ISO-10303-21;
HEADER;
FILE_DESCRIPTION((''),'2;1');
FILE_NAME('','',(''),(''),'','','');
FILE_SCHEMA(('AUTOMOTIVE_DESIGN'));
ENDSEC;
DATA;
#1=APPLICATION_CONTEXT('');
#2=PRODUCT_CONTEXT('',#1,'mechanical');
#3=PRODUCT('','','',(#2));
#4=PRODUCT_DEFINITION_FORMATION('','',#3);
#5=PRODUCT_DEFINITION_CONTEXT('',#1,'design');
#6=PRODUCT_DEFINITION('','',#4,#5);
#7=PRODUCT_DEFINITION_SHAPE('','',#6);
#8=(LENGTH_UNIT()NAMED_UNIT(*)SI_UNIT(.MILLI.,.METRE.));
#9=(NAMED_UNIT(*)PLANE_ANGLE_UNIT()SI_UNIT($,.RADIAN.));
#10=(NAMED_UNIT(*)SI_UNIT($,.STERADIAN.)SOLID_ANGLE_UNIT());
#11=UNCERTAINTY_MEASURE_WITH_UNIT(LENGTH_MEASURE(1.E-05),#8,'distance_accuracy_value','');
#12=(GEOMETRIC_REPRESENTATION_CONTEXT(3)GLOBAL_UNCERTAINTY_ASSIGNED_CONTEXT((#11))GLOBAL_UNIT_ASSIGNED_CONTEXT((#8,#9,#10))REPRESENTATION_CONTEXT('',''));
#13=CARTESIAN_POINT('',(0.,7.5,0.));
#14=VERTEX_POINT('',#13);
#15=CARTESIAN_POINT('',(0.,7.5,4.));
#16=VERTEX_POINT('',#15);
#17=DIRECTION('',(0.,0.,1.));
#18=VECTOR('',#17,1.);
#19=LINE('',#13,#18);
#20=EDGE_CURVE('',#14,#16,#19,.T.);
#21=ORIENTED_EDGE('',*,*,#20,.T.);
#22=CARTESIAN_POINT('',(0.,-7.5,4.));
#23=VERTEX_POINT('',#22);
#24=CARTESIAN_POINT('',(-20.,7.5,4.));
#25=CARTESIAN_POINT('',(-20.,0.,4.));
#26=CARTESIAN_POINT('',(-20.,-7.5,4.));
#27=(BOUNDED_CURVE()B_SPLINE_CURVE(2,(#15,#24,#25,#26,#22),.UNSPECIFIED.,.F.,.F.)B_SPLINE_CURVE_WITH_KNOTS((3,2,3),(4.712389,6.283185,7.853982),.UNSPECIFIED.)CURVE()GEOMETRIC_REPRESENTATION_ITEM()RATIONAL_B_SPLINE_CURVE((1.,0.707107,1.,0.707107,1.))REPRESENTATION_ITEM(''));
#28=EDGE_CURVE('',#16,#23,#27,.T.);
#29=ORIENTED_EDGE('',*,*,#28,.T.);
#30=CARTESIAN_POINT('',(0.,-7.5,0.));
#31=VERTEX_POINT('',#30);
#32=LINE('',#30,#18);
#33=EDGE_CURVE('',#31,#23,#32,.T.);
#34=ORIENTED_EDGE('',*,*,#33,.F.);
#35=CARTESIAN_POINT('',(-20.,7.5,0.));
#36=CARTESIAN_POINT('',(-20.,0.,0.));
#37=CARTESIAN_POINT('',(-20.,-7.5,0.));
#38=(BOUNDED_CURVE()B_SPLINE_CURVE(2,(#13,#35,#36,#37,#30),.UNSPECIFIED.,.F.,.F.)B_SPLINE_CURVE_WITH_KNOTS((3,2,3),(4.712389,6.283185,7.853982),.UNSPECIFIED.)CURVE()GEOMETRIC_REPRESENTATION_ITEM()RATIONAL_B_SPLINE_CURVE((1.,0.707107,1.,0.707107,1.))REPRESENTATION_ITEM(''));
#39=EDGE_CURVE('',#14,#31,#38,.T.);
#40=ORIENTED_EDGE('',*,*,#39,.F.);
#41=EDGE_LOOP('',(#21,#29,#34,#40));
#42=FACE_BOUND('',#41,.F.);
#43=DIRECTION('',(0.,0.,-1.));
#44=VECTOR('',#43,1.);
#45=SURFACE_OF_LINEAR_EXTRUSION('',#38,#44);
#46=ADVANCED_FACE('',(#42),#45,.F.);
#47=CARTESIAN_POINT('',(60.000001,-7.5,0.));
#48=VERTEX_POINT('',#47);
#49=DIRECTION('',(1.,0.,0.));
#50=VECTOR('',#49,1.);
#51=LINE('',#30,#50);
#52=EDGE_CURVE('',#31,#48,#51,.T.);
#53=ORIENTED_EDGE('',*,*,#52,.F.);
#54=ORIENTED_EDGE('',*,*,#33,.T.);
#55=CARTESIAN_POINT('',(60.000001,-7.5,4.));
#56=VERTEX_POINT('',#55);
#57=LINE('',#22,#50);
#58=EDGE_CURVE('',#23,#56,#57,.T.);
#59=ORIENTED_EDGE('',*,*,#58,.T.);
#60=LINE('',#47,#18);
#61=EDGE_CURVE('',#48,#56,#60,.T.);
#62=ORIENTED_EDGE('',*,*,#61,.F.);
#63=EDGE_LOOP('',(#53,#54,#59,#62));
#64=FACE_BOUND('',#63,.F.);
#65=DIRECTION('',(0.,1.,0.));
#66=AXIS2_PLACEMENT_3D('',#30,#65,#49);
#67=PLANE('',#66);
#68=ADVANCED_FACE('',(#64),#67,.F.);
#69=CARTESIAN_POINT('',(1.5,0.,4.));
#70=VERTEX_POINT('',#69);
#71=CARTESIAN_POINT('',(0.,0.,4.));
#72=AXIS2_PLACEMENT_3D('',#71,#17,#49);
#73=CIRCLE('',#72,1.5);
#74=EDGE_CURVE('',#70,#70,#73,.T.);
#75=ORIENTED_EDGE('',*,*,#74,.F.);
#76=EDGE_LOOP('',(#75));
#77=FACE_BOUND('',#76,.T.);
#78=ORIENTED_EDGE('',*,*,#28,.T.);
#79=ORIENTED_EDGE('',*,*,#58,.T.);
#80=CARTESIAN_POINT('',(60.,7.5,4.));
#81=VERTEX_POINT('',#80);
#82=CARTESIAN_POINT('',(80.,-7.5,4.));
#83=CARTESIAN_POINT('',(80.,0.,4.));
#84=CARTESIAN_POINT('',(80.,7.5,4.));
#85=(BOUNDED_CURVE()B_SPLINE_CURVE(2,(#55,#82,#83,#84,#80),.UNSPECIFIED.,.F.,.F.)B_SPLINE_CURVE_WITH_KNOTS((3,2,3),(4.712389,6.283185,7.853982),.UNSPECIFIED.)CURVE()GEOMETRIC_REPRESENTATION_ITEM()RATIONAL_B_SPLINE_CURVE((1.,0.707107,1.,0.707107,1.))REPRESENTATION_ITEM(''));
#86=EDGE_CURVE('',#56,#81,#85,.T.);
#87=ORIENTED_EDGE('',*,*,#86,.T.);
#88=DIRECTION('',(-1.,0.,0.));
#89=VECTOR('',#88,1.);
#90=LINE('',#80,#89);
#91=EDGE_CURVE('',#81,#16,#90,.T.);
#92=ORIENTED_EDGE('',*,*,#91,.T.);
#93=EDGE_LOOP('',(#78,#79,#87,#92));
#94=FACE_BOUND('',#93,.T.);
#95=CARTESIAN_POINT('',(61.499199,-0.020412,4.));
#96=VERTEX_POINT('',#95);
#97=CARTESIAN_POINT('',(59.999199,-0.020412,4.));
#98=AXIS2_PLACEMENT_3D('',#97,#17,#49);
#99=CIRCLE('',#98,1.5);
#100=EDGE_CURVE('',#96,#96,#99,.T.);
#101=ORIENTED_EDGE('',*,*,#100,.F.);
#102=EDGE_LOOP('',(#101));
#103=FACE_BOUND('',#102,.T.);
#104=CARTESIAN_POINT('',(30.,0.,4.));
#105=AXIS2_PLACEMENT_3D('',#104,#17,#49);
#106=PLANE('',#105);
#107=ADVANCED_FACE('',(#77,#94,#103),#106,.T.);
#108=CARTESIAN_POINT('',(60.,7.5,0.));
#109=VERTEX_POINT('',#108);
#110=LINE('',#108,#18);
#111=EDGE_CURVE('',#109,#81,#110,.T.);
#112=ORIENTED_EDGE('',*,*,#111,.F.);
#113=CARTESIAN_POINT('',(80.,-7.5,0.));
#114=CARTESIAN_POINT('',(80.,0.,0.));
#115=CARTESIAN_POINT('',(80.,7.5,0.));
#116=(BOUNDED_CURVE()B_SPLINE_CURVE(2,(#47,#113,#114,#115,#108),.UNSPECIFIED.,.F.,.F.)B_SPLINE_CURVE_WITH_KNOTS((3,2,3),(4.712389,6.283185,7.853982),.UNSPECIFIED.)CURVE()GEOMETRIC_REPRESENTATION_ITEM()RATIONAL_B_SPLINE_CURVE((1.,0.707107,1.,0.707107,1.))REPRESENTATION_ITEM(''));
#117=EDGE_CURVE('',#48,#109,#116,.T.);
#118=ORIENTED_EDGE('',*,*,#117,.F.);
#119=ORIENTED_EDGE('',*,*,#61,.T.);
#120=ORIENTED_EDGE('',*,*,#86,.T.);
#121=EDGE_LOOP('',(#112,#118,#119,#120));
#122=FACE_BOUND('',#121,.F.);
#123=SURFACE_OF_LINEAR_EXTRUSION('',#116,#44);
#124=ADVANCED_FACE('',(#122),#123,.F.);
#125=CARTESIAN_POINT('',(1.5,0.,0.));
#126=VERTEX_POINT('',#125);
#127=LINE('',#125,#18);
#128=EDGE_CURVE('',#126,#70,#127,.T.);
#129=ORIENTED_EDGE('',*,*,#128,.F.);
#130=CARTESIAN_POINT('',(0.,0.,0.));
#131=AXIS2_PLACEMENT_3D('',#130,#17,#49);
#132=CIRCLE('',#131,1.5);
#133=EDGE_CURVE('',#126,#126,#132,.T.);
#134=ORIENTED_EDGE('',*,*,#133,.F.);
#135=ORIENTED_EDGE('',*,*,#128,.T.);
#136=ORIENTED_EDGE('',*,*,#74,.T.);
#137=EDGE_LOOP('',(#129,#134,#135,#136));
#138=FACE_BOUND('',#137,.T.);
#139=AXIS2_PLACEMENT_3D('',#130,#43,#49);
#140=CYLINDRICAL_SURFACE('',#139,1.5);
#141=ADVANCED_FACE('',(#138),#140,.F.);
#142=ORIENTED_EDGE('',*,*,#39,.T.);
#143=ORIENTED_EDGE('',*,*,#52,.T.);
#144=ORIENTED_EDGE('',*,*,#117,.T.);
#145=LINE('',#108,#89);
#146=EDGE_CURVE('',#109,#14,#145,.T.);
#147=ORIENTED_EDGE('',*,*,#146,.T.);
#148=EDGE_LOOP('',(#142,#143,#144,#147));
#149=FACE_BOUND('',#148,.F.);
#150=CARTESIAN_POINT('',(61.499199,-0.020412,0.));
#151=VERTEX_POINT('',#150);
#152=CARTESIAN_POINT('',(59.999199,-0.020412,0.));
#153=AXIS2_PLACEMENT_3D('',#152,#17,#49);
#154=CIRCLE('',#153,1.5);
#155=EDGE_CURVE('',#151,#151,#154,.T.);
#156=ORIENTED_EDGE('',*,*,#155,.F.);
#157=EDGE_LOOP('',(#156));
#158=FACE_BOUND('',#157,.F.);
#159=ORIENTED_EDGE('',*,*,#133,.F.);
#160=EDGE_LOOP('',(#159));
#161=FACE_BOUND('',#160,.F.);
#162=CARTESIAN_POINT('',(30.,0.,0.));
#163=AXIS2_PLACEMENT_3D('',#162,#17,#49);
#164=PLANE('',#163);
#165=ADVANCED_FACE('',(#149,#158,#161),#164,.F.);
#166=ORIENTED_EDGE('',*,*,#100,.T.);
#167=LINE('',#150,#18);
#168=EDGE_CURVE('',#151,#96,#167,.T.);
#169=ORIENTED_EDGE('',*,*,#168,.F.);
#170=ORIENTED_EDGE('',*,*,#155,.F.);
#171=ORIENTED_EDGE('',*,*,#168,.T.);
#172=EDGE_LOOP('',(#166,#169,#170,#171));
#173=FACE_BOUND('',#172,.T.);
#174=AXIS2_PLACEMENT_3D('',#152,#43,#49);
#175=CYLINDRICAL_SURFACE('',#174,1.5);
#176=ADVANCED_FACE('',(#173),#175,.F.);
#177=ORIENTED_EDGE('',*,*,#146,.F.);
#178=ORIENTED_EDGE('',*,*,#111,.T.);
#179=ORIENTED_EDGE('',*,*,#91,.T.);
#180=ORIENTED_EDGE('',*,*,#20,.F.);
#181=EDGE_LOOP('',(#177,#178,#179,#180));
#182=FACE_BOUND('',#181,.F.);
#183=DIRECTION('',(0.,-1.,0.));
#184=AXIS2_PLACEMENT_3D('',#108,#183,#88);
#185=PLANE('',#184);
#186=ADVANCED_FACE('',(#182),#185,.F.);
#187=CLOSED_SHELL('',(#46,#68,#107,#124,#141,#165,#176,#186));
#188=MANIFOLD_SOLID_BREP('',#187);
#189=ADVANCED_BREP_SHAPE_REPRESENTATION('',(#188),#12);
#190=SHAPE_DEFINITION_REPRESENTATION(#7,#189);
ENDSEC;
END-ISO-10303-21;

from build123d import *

# Parameters (mm, degrees)
SKETCH_R  = 1.5
PAD_DEPTH = 4


with BuildPart() as part:
    # Sketch → Pad (new body)
    with BuildSketch(Plane.XY):
        with BuildLine():
            add(Edge.make_bspline(
                [(0, 7.5), (-20, 7.5), (-20, 0), (-20, -7.5), (0, -7.5)],
                knots=[4.712389, 4.712389, 4.712389, 6.283185, 6.283185, 7.853982, 7.853982, 7.853982], degree=2, weights=[1, 0.707107, 1, 0.707107, 1]))
            Line((0, -7.5), (60.000001, -7.5))
            add(Edge.make_bspline(
                [(60.000001, -7.5), (80, -7.5), (80, 0), (80, 7.5), (60, 7.5)],
                knots=[4.712389, 4.712389, 4.712389, 6.283185, 6.283185, 7.853982, 7.853982, 7.853982], degree=2, weights=[1, 0.707107, 1, 0.707107, 1]))
            Line((60, 7.5), (0, 7.5))
        make_face()
        with Locations((59.999199, -0.020412)):
            Circle(SKETCH_R, mode=Mode.SUBTRACT)
        Circle(SKETCH_R, mode=Mode.SUBTRACT)
    extrude(amount=PAD_DEPTH)


solid = part.part
